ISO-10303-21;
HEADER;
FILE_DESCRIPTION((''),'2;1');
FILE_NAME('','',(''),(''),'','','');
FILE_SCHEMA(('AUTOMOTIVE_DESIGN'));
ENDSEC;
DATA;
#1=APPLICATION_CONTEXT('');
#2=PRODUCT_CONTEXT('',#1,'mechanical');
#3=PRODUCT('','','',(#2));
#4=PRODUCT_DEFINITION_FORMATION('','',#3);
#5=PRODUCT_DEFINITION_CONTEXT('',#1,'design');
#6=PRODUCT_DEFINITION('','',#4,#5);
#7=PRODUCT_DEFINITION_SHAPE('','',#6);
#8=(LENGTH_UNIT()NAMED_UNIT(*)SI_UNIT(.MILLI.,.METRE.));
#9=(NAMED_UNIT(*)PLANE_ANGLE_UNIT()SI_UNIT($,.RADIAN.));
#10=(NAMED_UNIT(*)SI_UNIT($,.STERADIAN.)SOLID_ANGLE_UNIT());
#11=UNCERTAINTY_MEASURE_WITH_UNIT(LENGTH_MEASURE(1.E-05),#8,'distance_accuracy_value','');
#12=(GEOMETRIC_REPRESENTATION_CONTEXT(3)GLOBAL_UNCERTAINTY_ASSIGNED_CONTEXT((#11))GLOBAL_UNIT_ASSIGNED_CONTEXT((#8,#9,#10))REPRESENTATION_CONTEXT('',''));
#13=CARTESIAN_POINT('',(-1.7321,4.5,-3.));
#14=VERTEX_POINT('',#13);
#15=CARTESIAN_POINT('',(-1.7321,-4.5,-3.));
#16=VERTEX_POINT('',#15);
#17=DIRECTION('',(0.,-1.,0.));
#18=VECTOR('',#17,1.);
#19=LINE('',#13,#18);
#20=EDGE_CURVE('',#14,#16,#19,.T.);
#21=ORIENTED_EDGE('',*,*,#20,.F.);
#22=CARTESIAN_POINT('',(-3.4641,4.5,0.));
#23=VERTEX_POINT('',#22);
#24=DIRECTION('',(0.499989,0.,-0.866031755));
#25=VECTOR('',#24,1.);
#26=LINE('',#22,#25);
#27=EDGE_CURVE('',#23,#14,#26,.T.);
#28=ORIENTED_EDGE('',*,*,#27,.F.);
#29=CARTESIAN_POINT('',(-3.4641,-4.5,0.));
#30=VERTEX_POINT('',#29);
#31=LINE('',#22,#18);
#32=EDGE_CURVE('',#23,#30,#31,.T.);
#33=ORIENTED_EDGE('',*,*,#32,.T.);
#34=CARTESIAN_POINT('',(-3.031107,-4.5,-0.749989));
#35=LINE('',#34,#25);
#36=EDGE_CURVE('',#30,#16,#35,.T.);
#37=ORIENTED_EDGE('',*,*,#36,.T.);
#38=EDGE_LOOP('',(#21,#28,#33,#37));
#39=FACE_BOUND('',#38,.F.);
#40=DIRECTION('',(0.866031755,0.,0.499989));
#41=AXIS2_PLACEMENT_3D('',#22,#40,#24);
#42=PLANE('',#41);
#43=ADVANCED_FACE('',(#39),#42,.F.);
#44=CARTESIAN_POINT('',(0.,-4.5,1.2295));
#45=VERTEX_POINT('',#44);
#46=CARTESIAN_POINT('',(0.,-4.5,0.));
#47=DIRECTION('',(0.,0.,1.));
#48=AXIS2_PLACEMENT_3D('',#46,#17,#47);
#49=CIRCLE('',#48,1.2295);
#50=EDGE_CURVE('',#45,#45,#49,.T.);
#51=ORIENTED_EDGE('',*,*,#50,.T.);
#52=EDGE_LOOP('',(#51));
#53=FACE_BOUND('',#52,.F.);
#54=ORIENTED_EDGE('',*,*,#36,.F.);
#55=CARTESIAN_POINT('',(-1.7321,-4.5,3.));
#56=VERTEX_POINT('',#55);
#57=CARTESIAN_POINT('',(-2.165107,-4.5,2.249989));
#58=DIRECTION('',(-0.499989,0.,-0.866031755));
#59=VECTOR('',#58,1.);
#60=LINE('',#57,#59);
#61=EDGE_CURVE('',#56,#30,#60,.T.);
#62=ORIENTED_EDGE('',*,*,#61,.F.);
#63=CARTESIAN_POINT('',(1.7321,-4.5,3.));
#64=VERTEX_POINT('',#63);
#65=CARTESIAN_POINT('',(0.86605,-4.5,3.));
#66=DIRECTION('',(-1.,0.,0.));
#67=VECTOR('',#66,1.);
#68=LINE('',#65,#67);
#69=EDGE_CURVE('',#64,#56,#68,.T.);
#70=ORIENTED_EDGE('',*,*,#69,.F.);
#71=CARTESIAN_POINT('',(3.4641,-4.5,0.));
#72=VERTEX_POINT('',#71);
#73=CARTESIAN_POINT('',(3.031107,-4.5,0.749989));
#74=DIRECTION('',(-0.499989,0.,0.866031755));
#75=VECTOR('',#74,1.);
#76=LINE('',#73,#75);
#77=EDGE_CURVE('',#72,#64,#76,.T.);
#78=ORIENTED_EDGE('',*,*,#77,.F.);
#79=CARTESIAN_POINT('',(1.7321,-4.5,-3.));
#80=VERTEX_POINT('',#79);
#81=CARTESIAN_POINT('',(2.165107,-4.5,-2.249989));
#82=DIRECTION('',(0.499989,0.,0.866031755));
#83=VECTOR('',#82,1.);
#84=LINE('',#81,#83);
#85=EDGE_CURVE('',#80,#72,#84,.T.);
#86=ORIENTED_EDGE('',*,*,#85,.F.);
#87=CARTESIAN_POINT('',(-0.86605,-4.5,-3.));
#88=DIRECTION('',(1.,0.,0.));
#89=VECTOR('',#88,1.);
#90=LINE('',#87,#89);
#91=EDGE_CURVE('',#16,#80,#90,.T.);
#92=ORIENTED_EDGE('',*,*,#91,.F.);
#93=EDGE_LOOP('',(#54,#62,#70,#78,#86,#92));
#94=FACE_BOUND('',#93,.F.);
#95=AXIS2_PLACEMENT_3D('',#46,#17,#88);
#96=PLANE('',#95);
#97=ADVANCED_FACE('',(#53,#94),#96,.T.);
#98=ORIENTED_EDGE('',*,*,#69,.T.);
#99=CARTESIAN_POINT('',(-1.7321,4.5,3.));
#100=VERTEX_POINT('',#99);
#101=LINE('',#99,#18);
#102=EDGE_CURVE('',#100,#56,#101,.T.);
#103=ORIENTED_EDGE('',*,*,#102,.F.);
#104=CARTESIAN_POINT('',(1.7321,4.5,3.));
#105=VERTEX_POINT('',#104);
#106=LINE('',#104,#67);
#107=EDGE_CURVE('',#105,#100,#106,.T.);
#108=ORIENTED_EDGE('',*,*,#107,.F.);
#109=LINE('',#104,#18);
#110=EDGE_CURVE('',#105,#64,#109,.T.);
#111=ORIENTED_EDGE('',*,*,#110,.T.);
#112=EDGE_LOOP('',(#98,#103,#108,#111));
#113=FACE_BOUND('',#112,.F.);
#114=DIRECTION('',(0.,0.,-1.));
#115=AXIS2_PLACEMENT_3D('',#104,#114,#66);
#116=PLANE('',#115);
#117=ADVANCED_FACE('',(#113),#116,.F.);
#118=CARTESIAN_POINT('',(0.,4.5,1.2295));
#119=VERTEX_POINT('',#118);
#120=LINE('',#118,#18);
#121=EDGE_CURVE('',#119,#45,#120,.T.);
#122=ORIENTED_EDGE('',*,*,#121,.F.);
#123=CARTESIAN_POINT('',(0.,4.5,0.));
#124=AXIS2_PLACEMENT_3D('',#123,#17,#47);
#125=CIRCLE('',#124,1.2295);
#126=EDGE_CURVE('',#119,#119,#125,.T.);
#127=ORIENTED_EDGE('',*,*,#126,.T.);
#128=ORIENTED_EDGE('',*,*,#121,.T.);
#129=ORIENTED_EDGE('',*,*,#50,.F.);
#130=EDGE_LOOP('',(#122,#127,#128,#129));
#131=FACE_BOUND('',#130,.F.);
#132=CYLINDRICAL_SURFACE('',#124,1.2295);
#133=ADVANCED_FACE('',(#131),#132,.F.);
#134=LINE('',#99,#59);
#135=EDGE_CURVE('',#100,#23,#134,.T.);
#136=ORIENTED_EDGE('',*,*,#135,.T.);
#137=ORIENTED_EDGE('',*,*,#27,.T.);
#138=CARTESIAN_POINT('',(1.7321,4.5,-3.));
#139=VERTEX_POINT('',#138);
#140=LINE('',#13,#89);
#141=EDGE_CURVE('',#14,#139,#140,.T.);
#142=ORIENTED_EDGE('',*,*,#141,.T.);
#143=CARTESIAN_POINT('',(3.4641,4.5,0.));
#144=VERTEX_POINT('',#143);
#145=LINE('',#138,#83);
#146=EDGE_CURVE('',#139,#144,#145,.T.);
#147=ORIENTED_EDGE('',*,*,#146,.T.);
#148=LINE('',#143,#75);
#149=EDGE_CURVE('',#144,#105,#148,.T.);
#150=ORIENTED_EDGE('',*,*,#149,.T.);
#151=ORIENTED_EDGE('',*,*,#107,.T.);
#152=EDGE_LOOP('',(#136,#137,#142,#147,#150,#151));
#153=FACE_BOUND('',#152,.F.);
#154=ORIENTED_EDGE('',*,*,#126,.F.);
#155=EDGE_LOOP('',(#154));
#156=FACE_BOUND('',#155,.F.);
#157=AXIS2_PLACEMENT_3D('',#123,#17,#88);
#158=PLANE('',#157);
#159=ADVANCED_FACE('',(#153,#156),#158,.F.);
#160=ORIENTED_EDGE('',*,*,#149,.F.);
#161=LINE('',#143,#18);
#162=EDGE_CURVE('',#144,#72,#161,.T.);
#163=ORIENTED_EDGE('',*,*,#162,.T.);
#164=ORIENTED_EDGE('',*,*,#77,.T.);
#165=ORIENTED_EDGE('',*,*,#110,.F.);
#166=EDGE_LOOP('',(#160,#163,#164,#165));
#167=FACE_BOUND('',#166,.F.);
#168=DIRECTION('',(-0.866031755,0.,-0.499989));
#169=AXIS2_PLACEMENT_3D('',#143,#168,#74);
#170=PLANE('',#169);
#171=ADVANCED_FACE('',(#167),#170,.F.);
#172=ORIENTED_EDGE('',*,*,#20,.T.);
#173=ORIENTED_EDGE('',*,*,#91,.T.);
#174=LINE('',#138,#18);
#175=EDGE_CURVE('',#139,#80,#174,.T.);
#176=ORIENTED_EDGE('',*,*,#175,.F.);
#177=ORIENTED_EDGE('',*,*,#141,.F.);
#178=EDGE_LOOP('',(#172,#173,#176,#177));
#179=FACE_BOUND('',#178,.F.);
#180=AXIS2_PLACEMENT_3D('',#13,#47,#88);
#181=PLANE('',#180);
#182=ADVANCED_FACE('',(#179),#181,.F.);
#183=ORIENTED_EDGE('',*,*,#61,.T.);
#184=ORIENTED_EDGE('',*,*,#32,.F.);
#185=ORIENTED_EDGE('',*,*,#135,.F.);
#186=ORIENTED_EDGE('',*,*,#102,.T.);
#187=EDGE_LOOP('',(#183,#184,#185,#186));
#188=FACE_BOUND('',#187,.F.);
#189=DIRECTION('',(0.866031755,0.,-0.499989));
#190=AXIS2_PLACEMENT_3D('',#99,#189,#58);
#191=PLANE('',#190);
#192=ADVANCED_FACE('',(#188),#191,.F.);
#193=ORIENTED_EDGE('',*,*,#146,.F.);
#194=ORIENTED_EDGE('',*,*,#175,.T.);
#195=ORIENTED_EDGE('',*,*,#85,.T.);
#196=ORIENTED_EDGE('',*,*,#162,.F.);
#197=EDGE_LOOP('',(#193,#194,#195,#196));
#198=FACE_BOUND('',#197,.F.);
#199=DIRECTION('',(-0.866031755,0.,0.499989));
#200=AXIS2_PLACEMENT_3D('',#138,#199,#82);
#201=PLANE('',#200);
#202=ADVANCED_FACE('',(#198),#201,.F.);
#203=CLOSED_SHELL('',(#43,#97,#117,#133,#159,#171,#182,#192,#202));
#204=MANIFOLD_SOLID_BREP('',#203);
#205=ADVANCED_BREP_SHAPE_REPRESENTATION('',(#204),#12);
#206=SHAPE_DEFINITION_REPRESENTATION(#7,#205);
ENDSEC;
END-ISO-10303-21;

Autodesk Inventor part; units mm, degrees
ref_plane "YZ Plane" through (0, 0, 0) normal (1, 0, 0) x (0, 1, 0)
ref_plane "XZ Plane" through (0, 0, 0) normal (0, 1, 0) x (-1, 0, 0)
ref_plane "XY Plane" through (0, 0, 0) normal (0, 0, 1) x (1, 0, 0)
sketch "スケッチ1" plane through (0, 0, 0) normal (0, 0, 1) x (1, 0, 0)
  line L0 (0, 4.5) -> (0, -4.5)
  line L1 (0, -4.5) -> (5.1962, -4.5)
  line L2 (5.1962, -4.5) -> (5.1962, 4.5)
  line L3 (5.1962, 4.5) -> (0, 4.5)
  point P0 (0, 0)
  point P1 (0, 0)
  dimension "d0" = 9
  dimension "d1" = 5.1962
revolve "回転1" add sketch "スケッチ1" angle 360 about axis through (0, 4.5, 0) along (0, -1, 0)
sketch "スケッチ2" plane through (0, 4.5, 0) normal (0, 1, 0) x (1, 0, 0)
  line L0 (3.4641, 0) -> (1.7321, -3)
  line L1 (1.7321, -3) -> (-1.7321, -3)
  line L2 (-1.7321, -3) -> (-3.4641, 0)
  line L3 (-3.4641, 0) -> (-1.7321, 3)
  line L4 (-1.7321, 3) -> (1.7321, 3)
  line L5 (1.7321, 3) -> (3.4641, 0)
  circle A0 centre (0, 0) radius 7.5191
  point P0 (0, 0)
  dimension "d3" = 6
extrude "押し出し1" cut sketch "スケッチ2" against normal through all
hole "穴1" at (0, 4.5, 0) direction (0, -1, 0) diameter 2.459 end through all thread size "M3x0.5" class "6H" standard "ISO Metric profile"
properties part number "ASU-309-6" material "アルミニウム 2014-T4"
